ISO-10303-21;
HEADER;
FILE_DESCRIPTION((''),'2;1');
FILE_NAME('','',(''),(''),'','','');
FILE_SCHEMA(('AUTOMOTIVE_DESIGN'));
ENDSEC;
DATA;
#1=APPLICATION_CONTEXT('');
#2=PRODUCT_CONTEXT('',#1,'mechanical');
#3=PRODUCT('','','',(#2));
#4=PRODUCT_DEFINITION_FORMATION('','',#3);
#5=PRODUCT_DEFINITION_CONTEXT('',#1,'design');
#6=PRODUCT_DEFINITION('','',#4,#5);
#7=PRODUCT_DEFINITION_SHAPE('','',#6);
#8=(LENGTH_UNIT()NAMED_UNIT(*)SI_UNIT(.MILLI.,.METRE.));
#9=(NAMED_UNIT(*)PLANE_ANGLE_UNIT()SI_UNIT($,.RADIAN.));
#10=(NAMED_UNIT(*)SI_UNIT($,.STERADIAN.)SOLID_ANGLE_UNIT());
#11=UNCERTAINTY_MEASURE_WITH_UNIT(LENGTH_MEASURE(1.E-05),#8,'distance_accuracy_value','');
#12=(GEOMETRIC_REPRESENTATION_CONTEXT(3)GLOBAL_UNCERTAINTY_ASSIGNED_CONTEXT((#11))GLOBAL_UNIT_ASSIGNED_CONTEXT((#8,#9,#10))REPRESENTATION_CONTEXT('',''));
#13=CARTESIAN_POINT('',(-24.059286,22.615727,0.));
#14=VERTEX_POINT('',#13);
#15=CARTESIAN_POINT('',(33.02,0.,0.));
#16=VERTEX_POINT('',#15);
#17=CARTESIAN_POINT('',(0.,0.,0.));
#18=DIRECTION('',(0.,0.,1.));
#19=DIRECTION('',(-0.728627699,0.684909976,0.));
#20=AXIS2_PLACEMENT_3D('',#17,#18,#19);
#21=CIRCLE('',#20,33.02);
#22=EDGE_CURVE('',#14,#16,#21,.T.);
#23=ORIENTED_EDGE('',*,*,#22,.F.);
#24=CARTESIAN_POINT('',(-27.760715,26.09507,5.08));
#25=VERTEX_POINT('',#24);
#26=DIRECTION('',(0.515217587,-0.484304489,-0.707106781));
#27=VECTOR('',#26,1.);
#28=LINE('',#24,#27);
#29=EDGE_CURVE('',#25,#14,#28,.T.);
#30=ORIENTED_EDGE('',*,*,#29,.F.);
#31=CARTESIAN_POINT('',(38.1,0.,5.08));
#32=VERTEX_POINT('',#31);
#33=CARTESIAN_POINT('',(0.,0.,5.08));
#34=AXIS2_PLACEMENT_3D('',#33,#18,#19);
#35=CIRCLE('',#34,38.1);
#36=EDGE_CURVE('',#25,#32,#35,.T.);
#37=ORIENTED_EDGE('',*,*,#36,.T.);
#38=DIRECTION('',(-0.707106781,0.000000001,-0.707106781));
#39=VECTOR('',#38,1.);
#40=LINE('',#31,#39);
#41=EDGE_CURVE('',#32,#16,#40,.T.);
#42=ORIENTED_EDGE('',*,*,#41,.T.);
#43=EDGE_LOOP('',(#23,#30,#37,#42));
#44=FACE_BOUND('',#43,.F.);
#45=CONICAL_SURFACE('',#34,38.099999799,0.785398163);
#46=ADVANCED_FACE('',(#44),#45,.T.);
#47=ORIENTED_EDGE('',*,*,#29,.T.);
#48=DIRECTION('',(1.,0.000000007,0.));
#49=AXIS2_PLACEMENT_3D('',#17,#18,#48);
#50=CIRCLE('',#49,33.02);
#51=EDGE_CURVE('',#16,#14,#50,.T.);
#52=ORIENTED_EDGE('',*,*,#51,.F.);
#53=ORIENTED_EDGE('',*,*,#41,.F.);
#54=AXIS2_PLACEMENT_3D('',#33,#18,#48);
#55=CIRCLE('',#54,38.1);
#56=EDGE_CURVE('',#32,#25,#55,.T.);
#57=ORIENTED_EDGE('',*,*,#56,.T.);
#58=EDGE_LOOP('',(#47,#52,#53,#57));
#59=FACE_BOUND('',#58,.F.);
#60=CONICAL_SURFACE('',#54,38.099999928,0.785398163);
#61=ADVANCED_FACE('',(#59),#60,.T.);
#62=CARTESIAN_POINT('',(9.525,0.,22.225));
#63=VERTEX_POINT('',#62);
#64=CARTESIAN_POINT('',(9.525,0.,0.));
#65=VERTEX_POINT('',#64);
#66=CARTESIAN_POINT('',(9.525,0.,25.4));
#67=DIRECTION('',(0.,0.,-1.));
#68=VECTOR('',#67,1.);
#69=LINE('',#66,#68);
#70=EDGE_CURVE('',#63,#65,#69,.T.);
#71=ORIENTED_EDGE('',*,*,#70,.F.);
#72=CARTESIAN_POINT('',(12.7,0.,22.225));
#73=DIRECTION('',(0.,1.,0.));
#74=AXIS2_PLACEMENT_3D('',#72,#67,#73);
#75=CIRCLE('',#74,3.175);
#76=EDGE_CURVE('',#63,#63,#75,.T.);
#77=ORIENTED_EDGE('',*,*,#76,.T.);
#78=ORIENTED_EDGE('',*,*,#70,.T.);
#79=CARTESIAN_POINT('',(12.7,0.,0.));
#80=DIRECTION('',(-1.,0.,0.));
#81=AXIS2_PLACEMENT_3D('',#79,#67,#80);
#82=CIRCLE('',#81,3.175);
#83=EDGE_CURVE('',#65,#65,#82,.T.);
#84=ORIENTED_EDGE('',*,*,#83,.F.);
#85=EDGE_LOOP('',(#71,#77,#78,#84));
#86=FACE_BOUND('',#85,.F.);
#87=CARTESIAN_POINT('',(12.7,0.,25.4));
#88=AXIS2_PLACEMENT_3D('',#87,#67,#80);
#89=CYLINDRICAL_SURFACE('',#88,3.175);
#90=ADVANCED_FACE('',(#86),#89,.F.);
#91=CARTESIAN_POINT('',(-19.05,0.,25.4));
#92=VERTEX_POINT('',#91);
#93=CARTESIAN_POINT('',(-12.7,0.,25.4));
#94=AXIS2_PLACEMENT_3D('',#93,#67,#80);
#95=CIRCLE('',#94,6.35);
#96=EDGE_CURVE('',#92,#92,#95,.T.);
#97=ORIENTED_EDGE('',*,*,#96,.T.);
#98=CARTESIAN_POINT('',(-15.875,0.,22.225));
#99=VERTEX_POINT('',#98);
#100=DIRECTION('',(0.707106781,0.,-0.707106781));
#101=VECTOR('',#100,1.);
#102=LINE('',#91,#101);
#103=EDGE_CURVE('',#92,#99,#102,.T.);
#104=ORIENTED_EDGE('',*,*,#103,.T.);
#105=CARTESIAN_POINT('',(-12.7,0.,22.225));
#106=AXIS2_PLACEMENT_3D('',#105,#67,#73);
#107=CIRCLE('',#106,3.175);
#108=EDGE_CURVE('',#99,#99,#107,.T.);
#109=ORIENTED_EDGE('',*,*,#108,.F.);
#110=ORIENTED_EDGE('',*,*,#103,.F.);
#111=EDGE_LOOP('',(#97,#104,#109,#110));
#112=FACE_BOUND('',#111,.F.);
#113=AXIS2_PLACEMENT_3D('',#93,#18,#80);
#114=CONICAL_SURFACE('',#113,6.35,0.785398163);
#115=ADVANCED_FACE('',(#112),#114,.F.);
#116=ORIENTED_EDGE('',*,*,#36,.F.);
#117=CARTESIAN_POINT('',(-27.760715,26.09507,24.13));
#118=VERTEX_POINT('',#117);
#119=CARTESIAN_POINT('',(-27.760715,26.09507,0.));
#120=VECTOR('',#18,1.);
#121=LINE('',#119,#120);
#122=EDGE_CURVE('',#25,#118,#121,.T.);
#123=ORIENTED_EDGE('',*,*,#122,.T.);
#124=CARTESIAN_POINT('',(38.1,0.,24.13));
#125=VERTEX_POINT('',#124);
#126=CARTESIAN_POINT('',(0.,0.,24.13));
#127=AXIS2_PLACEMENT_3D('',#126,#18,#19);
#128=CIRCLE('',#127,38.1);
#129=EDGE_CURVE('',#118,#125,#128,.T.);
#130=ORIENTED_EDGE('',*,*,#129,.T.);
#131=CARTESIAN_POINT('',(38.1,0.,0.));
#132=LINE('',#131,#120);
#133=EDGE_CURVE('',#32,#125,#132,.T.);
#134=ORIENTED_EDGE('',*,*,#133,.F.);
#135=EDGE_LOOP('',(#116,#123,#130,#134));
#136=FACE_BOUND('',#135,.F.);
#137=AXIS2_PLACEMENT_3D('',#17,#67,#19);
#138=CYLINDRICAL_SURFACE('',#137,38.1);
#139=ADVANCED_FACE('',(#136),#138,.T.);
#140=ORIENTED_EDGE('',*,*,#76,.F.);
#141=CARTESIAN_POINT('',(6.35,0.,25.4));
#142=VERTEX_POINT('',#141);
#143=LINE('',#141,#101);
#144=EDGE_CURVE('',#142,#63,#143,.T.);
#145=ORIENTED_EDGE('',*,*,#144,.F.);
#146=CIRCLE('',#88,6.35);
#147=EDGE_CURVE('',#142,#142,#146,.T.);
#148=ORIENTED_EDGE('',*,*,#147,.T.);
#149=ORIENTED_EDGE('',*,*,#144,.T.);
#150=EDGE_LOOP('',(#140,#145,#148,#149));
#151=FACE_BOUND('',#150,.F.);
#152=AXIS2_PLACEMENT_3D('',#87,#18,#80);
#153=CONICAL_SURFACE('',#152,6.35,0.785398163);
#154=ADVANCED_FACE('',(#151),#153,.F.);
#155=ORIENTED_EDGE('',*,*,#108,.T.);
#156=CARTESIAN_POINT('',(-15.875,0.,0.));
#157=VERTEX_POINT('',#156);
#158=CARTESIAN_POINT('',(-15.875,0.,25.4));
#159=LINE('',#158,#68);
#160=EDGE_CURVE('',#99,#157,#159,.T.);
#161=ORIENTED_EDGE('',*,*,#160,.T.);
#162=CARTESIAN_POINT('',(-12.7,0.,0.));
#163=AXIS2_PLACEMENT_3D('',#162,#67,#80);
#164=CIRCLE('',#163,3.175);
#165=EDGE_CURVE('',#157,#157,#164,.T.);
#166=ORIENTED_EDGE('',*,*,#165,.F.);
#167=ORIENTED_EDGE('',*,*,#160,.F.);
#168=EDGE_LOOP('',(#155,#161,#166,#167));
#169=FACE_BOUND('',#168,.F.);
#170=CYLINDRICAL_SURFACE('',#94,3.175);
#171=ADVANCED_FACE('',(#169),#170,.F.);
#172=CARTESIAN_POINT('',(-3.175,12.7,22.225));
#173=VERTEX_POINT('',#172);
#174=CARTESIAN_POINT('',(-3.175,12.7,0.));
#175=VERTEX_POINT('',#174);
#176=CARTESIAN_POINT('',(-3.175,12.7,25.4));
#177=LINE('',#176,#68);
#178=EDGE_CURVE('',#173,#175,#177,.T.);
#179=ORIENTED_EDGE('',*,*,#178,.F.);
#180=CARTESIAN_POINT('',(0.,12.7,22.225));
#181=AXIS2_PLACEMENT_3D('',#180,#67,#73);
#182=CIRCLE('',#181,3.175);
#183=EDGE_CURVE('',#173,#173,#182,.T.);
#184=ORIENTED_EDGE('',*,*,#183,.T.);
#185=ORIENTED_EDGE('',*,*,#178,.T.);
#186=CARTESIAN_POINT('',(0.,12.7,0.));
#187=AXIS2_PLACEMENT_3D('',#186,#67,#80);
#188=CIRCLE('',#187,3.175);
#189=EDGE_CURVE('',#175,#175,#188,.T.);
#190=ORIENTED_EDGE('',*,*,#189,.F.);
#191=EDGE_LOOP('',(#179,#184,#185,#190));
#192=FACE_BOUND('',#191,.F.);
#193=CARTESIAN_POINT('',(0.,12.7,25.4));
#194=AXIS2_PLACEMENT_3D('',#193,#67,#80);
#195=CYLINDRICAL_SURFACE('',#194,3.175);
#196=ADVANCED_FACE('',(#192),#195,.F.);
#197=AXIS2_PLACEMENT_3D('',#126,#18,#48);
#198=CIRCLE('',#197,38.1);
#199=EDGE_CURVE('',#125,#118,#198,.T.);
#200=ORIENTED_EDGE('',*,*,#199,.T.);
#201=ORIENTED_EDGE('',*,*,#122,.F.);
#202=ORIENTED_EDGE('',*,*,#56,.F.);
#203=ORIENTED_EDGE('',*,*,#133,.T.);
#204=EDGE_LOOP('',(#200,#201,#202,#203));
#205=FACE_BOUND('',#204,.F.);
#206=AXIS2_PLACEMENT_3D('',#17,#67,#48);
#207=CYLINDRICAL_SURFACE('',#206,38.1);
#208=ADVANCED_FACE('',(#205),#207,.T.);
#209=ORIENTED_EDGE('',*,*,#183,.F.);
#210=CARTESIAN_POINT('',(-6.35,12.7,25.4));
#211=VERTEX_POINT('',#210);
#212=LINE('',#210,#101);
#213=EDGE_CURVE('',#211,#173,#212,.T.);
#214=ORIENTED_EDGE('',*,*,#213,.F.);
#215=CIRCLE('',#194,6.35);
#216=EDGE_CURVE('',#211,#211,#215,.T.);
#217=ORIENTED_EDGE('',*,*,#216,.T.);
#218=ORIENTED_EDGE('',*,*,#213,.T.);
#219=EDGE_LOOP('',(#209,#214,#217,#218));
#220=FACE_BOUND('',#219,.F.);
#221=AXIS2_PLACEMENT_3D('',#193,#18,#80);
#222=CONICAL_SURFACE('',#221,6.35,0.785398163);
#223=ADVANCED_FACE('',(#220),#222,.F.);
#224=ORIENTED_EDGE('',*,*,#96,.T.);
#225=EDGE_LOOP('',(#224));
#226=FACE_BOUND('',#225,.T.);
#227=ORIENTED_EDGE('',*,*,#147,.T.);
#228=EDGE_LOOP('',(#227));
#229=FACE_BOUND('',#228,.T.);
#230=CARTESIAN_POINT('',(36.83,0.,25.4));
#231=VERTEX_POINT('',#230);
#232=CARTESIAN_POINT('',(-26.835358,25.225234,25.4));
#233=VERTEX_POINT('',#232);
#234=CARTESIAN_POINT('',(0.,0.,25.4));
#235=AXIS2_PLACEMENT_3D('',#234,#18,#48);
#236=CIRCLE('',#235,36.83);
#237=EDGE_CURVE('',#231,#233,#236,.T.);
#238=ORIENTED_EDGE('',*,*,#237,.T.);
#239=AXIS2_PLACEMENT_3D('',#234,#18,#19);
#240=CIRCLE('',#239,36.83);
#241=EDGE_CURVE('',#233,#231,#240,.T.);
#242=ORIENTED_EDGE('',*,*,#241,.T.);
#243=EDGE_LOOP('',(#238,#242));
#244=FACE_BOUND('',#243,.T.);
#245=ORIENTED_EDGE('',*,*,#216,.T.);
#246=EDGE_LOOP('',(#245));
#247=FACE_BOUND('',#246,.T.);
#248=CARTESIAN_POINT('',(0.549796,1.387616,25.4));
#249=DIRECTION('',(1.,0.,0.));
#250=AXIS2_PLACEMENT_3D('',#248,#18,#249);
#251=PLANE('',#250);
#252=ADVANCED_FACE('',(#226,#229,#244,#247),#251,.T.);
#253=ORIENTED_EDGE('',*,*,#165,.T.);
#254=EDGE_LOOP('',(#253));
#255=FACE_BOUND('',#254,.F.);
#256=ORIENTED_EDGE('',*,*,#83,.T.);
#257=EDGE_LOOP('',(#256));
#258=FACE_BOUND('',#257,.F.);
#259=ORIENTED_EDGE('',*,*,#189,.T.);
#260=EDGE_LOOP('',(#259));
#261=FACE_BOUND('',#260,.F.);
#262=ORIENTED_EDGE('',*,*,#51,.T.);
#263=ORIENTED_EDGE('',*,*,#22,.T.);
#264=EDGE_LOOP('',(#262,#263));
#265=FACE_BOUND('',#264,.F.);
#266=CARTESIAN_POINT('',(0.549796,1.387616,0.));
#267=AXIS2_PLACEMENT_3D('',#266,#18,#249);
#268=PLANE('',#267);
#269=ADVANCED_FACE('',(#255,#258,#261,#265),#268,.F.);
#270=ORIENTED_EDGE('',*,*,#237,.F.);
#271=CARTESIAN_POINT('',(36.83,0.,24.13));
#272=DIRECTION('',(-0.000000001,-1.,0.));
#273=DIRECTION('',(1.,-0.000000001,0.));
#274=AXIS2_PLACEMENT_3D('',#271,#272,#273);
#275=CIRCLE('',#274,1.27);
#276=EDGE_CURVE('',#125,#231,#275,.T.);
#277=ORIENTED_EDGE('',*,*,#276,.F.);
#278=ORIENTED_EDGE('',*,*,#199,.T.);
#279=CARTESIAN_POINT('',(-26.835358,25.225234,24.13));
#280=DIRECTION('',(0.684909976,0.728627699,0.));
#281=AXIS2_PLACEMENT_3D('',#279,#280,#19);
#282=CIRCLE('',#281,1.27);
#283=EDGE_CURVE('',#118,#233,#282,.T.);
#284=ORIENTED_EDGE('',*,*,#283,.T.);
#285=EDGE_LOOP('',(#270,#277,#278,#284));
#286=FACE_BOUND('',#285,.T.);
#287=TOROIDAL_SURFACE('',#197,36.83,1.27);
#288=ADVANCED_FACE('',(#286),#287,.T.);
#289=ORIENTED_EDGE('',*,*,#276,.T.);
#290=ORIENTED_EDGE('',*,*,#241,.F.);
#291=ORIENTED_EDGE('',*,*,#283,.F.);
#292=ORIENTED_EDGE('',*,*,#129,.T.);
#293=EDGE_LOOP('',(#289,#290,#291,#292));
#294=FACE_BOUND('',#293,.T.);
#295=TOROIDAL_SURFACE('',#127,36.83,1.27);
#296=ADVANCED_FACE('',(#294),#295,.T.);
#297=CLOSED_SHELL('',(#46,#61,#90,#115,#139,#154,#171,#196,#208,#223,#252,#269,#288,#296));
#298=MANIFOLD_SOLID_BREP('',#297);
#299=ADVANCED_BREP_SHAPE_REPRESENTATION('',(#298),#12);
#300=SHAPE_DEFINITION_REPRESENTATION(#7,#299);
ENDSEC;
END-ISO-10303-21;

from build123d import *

# Parameters (mm, degrees)
F1_DEPTH       = 25.4
F3_D           = 6.35
F3_CSINK_D     = 12.7
F3_CSINK_ANGLE = 90
F4_R           = 1.27
F5_SIZE        = 5.08


with BuildPart() as f1:
    # F0 (on Top) → F1 (new body)
    with BuildSketch(Plane.XY):
        with BuildLine():
            ThreePointArc((-27.760715, 26.09507), (-14.034364, -35.420991), (38.1, 0))
            ThreePointArc((38.1, 0), (14.034364, 35.420991), (-27.760715, 26.09507))
        make_face()
    extrude(amount=F1_DEPTH)

    # F3 (through all)
    with Locations(Plane.XY.offset(25.4)):
        with Locations((-12.7, 0), (0, 12.7), (12.7, 0)):
            CounterSinkHole(F3_D / 2, F3_CSINK_D / 2, counter_sink_angle=F3_CSINK_ANGLE)

    # F4
    f4_edges = [f1.edges().sort_by_distance(p)[0] for p in [
        (-38.1, 0, 25.4),
    ]]
    fillet(f4_edges, radius=F4_R)

    # F5
    f5_edges = [f1.edges().sort_by_distance(p)[0] for p in [
        (-38.1, 0, 0),
    ]]
    chamfer(f5_edges, length=F5_SIZE)


solid = f1.part
